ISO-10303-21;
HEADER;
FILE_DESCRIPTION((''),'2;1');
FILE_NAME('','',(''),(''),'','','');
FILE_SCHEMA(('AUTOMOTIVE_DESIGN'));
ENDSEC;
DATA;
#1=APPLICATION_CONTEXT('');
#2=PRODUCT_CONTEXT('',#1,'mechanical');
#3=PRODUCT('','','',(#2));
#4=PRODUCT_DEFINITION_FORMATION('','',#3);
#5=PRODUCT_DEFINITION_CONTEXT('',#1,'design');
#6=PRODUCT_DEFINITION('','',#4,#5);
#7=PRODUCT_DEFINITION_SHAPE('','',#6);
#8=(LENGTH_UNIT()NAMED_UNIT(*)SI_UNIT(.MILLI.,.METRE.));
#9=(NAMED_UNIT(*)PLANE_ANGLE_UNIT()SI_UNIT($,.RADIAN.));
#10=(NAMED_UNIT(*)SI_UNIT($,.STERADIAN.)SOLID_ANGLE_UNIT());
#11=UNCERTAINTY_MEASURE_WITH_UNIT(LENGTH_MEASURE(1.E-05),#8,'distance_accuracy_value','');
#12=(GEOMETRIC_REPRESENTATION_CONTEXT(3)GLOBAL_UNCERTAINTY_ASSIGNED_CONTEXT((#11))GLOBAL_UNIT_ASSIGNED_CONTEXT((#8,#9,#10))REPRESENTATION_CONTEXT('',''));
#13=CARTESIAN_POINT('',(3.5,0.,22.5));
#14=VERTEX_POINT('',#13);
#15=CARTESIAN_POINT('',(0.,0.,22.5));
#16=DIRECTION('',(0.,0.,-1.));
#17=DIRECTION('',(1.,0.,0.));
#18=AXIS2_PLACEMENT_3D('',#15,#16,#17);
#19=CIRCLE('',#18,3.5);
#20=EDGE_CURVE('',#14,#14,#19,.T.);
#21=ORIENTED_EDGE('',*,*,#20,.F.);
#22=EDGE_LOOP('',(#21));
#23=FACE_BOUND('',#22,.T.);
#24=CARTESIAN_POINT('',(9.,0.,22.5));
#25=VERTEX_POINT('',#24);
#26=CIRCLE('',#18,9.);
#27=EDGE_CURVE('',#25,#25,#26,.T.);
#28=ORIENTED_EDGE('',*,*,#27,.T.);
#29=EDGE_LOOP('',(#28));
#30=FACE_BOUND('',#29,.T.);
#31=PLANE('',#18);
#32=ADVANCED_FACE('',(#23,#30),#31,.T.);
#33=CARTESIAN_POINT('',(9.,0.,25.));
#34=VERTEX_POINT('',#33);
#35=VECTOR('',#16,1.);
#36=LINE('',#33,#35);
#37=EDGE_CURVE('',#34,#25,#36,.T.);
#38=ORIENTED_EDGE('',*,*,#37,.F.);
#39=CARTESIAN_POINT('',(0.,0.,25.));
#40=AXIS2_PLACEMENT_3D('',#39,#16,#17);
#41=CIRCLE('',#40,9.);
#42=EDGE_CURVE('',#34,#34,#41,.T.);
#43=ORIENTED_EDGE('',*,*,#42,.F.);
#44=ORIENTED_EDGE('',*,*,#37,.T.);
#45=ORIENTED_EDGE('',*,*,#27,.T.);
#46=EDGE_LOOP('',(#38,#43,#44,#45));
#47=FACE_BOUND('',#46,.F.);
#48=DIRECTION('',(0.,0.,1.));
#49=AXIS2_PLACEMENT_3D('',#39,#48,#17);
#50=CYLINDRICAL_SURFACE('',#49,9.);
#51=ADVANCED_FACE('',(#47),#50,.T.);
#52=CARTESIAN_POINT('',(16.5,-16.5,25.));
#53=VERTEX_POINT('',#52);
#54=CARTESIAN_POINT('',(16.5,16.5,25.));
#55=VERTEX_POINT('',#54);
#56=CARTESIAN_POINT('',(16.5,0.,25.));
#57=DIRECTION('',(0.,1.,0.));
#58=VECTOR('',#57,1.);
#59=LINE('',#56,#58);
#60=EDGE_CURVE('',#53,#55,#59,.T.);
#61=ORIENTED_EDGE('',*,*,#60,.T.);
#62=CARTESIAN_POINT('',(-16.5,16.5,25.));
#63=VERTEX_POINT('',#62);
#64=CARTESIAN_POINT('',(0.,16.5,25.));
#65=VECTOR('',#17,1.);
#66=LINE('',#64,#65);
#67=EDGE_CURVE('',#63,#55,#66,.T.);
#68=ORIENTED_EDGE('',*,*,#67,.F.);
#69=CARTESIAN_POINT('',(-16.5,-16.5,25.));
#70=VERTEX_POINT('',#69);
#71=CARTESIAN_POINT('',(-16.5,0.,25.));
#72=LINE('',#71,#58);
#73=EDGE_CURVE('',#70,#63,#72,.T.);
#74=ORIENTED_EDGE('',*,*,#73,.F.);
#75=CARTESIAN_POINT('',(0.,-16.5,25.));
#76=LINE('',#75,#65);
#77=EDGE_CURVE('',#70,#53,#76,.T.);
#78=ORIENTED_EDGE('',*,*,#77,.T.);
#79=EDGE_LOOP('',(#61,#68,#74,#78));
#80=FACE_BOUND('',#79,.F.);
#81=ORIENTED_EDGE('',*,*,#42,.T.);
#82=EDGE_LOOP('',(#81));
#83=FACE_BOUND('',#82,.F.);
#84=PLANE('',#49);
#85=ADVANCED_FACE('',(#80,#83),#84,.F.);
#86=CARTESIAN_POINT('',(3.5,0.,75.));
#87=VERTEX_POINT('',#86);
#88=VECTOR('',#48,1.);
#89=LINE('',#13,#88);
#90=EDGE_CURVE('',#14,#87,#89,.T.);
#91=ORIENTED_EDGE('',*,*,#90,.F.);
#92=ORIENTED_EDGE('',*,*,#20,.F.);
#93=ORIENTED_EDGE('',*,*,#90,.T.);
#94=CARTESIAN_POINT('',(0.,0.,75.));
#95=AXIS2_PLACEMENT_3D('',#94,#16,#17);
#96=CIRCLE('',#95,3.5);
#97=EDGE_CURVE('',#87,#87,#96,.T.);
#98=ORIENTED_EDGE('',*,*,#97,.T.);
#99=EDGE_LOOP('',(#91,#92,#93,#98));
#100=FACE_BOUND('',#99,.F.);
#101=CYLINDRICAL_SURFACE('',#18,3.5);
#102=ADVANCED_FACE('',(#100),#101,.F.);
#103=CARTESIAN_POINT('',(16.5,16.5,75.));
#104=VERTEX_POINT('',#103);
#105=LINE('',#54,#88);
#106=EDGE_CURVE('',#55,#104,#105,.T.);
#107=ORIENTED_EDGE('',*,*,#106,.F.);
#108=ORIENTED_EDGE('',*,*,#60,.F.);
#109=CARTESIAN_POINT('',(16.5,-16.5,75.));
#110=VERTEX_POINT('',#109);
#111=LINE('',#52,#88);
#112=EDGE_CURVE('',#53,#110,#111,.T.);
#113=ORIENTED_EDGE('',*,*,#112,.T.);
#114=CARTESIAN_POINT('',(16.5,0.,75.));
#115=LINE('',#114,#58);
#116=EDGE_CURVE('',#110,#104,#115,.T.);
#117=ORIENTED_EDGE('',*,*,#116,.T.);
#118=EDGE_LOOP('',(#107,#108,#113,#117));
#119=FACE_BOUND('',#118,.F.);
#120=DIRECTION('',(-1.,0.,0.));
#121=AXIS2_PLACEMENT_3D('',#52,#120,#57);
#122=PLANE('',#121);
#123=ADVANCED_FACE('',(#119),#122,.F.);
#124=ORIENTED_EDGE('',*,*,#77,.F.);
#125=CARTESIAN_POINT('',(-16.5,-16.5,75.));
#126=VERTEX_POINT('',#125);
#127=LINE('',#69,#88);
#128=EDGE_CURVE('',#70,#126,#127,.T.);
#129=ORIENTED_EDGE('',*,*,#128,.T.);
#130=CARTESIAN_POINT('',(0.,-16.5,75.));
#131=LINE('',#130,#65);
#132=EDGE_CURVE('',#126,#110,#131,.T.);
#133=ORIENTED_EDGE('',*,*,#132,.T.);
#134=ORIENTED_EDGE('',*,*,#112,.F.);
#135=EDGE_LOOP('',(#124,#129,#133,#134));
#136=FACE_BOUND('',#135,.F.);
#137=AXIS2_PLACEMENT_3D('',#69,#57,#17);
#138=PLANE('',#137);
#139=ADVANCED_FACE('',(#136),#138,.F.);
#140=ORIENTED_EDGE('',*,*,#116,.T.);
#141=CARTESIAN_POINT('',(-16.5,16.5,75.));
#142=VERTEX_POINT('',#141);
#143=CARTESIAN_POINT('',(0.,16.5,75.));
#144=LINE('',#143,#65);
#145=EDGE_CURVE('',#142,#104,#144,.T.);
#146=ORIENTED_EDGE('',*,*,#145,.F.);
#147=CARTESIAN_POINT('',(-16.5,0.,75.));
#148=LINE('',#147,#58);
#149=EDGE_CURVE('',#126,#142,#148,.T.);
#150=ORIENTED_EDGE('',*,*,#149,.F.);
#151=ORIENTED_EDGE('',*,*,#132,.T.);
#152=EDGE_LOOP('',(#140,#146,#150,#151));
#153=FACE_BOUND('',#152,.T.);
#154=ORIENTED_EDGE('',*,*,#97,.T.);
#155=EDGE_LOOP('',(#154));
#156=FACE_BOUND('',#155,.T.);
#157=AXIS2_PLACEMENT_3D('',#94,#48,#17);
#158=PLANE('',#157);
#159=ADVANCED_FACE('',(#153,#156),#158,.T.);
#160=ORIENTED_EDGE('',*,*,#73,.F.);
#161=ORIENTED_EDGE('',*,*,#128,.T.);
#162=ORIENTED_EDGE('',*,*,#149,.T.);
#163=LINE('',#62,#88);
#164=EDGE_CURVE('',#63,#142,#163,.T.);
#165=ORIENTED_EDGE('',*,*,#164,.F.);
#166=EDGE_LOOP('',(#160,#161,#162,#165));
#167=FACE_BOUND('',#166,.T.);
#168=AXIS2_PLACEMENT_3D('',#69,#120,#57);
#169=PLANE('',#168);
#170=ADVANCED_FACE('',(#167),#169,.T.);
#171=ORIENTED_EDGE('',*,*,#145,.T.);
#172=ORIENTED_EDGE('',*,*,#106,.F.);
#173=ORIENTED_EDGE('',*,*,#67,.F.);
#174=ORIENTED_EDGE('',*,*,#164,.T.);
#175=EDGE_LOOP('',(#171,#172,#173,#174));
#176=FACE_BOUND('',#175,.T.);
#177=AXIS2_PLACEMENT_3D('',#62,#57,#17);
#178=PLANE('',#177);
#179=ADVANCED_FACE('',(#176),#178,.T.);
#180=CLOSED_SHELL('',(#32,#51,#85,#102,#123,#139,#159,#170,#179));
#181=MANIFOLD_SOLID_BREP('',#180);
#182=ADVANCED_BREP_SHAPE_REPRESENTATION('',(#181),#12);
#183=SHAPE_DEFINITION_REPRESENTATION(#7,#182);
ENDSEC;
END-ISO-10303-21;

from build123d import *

# Parameters (mm, degrees)
BOX_W           = 33
BOX_H           = 33
BOX_DEPTH       = 50
SKETCH002_R     = 9
PAD001_DEPTH    = 2.5
SKETCH003_R     = 3.5
POCKET001_DEPTH = 53


with BuildPart() as part:
    # Box → Box (new body)
    with BuildSketch(Plane(origin=(-16.5, -16.5, 25), x_dir=(1, 0, 0), z_dir=(0, 0, 1))):
        with Locations((16.5, 16.5)):
            Rectangle(BOX_W, BOX_H)
    extrude(amount=BOX_DEPTH)

    # Sketch002 → Pad001 (new body)
    with BuildSketch(Plane(origin=(-16.5, -16.5, 25), x_dir=(1, 0, 0), z_dir=(0, 0, -1))):
        with Locations((16.5, -16.5)):
            Circle(SKETCH002_R)
    extrude(amount=PAD001_DEPTH)

    # Sketch003 → Pocket001 (cut)
    with BuildSketch(Plane(origin=(-16.5, -16.5, 22.5), x_dir=(1, 0, 0), z_dir=(0, 0, -1))):
        with Locations((16.5, -16.5)):
            Circle(SKETCH003_R)
    extrude(amount=-POCKET001_DEPTH, mode=Mode.SUBTRACT)


solid = part.part
